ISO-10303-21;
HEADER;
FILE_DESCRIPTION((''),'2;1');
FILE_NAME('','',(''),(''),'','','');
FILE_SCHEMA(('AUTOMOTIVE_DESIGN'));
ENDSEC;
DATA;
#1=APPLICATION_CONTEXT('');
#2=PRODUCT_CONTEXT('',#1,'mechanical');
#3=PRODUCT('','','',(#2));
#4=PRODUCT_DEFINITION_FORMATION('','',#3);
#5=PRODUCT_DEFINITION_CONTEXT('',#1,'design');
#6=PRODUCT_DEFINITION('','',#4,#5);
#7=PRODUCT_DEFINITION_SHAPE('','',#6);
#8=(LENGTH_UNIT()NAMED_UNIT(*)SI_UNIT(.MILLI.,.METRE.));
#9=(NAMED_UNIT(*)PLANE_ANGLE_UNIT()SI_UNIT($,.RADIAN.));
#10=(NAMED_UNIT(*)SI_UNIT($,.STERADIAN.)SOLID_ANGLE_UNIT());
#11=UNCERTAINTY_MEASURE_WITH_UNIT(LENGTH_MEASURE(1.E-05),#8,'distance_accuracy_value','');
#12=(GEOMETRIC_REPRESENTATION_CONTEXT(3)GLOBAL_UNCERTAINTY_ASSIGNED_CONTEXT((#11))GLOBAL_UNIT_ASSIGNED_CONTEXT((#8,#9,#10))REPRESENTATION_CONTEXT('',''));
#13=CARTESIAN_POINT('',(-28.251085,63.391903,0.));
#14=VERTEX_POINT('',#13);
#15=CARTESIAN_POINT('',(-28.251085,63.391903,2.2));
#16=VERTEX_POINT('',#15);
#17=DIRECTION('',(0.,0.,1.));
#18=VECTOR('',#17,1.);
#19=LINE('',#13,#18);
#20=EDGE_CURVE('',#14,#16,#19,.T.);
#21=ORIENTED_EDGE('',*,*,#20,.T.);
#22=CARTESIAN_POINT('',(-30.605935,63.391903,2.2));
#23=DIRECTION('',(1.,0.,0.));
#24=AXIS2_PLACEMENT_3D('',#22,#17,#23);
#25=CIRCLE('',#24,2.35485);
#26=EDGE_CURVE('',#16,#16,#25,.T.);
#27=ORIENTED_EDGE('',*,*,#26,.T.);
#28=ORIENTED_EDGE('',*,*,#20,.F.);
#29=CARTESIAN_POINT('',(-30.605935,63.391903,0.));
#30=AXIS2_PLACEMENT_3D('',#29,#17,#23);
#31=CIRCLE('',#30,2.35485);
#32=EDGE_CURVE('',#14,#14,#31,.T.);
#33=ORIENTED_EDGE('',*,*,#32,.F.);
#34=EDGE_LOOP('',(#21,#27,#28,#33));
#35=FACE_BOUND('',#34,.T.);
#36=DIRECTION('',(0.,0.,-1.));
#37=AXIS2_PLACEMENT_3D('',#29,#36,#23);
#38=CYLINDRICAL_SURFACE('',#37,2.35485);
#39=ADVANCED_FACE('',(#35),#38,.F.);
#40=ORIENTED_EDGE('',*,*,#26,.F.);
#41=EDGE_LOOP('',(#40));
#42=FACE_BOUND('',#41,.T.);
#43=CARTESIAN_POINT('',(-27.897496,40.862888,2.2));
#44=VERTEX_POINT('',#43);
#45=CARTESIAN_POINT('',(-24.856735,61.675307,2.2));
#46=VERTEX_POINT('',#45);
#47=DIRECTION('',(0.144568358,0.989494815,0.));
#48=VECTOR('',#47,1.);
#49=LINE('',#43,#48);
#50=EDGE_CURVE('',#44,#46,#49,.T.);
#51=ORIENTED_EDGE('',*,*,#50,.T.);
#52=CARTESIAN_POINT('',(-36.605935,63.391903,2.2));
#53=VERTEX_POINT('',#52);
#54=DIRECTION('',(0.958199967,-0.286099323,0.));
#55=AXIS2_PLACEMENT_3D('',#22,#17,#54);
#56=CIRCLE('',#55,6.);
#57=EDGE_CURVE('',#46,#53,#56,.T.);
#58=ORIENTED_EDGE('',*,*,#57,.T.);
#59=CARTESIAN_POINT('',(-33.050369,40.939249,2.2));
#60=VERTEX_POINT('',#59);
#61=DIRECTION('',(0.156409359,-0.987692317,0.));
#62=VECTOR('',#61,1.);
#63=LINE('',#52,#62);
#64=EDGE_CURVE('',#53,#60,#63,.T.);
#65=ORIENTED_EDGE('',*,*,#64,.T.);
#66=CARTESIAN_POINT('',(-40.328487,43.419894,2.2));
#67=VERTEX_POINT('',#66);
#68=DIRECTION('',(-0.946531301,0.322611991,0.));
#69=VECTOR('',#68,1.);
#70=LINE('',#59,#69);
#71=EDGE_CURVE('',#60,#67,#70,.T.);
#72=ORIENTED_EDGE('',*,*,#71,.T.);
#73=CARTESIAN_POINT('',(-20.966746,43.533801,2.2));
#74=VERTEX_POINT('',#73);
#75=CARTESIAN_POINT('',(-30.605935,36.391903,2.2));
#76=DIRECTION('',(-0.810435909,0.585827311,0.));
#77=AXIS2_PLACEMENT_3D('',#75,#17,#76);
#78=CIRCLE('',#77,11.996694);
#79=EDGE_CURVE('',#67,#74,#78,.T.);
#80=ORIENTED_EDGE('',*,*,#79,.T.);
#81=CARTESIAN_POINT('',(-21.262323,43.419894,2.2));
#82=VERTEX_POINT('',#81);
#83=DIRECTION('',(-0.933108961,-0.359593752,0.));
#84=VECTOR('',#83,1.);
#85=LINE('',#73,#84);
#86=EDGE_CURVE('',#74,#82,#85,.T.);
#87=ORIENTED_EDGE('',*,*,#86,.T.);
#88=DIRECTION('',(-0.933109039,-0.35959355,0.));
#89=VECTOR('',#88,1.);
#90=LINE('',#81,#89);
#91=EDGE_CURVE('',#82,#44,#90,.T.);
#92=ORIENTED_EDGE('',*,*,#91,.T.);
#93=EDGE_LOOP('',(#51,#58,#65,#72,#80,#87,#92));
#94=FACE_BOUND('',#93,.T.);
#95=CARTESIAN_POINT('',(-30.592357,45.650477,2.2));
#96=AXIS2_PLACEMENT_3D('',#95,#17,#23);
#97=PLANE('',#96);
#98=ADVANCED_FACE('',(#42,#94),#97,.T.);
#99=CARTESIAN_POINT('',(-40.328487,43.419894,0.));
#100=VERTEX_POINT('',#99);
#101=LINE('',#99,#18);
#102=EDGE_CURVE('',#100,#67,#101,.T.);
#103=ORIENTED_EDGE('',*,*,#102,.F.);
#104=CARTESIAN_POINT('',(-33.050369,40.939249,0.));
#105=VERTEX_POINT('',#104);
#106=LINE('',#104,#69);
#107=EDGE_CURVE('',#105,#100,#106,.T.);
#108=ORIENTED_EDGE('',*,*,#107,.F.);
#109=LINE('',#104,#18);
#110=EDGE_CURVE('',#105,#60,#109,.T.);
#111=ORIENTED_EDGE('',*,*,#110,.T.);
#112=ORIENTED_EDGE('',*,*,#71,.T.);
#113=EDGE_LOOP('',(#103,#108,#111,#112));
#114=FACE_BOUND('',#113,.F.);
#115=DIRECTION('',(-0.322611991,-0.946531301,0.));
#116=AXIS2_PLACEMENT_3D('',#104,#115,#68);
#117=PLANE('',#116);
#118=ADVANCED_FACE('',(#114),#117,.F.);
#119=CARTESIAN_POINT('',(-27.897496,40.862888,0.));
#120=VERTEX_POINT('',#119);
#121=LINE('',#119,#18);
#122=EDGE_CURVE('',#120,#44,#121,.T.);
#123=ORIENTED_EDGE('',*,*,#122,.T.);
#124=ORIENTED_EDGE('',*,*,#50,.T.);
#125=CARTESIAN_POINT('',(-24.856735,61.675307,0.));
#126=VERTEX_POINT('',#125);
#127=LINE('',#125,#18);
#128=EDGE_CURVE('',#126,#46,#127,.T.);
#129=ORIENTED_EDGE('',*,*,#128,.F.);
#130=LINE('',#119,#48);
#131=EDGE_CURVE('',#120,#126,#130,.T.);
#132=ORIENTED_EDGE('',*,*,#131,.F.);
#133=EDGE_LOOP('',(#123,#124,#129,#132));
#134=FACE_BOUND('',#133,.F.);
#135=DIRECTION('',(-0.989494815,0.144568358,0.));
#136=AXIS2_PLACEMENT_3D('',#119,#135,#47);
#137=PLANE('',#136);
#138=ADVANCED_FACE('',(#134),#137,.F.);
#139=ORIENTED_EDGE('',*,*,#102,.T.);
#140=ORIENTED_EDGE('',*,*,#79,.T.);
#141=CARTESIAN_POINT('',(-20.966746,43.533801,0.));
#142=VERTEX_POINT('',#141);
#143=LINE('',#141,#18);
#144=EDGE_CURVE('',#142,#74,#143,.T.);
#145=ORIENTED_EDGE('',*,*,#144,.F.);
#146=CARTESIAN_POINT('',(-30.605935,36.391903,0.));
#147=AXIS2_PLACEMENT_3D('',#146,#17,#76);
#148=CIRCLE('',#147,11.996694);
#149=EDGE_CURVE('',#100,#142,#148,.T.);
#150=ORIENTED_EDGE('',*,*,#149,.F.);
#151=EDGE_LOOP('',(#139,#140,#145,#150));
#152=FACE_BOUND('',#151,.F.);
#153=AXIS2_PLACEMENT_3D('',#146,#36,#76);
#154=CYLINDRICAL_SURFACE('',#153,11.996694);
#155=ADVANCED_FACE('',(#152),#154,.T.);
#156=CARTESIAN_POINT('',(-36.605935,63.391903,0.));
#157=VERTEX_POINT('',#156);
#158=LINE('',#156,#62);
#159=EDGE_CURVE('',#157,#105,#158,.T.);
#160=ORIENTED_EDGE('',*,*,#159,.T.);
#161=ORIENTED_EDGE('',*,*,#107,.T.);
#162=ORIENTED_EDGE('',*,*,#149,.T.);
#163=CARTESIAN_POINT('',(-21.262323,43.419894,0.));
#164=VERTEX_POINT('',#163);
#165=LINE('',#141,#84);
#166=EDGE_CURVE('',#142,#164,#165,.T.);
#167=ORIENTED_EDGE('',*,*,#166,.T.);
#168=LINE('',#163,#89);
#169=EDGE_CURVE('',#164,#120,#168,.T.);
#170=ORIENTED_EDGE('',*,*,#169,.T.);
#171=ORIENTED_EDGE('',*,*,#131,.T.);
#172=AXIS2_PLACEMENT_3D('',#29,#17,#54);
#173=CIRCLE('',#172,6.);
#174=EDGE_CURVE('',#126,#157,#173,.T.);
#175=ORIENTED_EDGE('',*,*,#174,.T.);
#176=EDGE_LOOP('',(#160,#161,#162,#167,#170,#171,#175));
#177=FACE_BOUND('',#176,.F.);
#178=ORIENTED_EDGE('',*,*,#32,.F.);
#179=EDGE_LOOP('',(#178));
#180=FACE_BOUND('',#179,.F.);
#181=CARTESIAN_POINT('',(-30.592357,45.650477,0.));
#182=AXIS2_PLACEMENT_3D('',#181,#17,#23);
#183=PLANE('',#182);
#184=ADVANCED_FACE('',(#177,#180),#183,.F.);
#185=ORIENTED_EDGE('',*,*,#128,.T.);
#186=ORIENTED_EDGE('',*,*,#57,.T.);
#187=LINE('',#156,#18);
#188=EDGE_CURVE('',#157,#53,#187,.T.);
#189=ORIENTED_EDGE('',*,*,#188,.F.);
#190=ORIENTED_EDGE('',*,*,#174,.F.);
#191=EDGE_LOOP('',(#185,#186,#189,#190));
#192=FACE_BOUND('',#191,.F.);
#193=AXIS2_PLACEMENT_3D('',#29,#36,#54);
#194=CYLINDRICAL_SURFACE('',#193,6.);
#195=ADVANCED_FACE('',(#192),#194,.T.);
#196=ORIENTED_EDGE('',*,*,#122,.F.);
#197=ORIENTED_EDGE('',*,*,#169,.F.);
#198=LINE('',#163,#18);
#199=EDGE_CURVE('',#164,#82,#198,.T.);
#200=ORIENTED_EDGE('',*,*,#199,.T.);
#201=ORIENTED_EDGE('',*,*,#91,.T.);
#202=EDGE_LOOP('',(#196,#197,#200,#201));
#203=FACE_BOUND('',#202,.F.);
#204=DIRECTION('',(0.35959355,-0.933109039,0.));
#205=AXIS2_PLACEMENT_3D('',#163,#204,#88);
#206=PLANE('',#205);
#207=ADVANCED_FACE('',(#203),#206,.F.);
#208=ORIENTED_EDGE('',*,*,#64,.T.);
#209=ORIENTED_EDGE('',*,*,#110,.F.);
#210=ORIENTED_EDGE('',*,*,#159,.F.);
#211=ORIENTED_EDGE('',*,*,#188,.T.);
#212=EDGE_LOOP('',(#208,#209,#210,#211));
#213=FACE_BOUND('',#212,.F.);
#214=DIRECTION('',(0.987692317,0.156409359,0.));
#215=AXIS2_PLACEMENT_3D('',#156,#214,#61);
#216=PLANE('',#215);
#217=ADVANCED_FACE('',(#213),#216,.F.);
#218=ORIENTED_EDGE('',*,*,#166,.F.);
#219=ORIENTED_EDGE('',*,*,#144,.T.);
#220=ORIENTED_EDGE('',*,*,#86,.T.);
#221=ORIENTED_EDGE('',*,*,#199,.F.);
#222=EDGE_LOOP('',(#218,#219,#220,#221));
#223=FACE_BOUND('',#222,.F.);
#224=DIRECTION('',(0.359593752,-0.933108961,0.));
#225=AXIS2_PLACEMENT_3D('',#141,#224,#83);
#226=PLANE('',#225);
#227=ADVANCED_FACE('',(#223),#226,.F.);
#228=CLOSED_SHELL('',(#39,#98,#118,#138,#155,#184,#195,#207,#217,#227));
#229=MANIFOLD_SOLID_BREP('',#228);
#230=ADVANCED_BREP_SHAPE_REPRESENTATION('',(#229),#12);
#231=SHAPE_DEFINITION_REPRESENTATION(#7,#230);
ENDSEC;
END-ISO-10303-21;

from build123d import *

# Parameters (mm, degrees)
F0_R     = 2.35485
F1_DEPTH = 2.2


with BuildPart() as f1:
    # F0 (on Top) → F1 (new body)
    with BuildSketch(Plane.XY):
        with BuildLine():
            Line((-27.897496, 40.862888), (-24.856735, 61.675307))
            ThreePointArc((-24.856735, 61.675307), (-29.738525, 69.328872), (-36.605935, 63.391903))
            Line((-36.605935, 63.391903), (-33.050369, 40.939249))
            Line((-33.050369, 40.939249), (-40.328487, 43.419894))
            ThreePointArc((-40.328487, 43.419894), (-30.535359, 24.395416), (-20.966746, 43.533801))
            Line((-20.966746, 43.533801), (-21.262323, 43.419894))
            Line((-21.262323, 43.419894), (-27.897496, 40.862888))
        make_face()
        with Locations((-30.605935, 63.391903)):
            Circle(F0_R, mode=Mode.SUBTRACT)
    extrude(amount=F1_DEPTH)


solid = f1.part
